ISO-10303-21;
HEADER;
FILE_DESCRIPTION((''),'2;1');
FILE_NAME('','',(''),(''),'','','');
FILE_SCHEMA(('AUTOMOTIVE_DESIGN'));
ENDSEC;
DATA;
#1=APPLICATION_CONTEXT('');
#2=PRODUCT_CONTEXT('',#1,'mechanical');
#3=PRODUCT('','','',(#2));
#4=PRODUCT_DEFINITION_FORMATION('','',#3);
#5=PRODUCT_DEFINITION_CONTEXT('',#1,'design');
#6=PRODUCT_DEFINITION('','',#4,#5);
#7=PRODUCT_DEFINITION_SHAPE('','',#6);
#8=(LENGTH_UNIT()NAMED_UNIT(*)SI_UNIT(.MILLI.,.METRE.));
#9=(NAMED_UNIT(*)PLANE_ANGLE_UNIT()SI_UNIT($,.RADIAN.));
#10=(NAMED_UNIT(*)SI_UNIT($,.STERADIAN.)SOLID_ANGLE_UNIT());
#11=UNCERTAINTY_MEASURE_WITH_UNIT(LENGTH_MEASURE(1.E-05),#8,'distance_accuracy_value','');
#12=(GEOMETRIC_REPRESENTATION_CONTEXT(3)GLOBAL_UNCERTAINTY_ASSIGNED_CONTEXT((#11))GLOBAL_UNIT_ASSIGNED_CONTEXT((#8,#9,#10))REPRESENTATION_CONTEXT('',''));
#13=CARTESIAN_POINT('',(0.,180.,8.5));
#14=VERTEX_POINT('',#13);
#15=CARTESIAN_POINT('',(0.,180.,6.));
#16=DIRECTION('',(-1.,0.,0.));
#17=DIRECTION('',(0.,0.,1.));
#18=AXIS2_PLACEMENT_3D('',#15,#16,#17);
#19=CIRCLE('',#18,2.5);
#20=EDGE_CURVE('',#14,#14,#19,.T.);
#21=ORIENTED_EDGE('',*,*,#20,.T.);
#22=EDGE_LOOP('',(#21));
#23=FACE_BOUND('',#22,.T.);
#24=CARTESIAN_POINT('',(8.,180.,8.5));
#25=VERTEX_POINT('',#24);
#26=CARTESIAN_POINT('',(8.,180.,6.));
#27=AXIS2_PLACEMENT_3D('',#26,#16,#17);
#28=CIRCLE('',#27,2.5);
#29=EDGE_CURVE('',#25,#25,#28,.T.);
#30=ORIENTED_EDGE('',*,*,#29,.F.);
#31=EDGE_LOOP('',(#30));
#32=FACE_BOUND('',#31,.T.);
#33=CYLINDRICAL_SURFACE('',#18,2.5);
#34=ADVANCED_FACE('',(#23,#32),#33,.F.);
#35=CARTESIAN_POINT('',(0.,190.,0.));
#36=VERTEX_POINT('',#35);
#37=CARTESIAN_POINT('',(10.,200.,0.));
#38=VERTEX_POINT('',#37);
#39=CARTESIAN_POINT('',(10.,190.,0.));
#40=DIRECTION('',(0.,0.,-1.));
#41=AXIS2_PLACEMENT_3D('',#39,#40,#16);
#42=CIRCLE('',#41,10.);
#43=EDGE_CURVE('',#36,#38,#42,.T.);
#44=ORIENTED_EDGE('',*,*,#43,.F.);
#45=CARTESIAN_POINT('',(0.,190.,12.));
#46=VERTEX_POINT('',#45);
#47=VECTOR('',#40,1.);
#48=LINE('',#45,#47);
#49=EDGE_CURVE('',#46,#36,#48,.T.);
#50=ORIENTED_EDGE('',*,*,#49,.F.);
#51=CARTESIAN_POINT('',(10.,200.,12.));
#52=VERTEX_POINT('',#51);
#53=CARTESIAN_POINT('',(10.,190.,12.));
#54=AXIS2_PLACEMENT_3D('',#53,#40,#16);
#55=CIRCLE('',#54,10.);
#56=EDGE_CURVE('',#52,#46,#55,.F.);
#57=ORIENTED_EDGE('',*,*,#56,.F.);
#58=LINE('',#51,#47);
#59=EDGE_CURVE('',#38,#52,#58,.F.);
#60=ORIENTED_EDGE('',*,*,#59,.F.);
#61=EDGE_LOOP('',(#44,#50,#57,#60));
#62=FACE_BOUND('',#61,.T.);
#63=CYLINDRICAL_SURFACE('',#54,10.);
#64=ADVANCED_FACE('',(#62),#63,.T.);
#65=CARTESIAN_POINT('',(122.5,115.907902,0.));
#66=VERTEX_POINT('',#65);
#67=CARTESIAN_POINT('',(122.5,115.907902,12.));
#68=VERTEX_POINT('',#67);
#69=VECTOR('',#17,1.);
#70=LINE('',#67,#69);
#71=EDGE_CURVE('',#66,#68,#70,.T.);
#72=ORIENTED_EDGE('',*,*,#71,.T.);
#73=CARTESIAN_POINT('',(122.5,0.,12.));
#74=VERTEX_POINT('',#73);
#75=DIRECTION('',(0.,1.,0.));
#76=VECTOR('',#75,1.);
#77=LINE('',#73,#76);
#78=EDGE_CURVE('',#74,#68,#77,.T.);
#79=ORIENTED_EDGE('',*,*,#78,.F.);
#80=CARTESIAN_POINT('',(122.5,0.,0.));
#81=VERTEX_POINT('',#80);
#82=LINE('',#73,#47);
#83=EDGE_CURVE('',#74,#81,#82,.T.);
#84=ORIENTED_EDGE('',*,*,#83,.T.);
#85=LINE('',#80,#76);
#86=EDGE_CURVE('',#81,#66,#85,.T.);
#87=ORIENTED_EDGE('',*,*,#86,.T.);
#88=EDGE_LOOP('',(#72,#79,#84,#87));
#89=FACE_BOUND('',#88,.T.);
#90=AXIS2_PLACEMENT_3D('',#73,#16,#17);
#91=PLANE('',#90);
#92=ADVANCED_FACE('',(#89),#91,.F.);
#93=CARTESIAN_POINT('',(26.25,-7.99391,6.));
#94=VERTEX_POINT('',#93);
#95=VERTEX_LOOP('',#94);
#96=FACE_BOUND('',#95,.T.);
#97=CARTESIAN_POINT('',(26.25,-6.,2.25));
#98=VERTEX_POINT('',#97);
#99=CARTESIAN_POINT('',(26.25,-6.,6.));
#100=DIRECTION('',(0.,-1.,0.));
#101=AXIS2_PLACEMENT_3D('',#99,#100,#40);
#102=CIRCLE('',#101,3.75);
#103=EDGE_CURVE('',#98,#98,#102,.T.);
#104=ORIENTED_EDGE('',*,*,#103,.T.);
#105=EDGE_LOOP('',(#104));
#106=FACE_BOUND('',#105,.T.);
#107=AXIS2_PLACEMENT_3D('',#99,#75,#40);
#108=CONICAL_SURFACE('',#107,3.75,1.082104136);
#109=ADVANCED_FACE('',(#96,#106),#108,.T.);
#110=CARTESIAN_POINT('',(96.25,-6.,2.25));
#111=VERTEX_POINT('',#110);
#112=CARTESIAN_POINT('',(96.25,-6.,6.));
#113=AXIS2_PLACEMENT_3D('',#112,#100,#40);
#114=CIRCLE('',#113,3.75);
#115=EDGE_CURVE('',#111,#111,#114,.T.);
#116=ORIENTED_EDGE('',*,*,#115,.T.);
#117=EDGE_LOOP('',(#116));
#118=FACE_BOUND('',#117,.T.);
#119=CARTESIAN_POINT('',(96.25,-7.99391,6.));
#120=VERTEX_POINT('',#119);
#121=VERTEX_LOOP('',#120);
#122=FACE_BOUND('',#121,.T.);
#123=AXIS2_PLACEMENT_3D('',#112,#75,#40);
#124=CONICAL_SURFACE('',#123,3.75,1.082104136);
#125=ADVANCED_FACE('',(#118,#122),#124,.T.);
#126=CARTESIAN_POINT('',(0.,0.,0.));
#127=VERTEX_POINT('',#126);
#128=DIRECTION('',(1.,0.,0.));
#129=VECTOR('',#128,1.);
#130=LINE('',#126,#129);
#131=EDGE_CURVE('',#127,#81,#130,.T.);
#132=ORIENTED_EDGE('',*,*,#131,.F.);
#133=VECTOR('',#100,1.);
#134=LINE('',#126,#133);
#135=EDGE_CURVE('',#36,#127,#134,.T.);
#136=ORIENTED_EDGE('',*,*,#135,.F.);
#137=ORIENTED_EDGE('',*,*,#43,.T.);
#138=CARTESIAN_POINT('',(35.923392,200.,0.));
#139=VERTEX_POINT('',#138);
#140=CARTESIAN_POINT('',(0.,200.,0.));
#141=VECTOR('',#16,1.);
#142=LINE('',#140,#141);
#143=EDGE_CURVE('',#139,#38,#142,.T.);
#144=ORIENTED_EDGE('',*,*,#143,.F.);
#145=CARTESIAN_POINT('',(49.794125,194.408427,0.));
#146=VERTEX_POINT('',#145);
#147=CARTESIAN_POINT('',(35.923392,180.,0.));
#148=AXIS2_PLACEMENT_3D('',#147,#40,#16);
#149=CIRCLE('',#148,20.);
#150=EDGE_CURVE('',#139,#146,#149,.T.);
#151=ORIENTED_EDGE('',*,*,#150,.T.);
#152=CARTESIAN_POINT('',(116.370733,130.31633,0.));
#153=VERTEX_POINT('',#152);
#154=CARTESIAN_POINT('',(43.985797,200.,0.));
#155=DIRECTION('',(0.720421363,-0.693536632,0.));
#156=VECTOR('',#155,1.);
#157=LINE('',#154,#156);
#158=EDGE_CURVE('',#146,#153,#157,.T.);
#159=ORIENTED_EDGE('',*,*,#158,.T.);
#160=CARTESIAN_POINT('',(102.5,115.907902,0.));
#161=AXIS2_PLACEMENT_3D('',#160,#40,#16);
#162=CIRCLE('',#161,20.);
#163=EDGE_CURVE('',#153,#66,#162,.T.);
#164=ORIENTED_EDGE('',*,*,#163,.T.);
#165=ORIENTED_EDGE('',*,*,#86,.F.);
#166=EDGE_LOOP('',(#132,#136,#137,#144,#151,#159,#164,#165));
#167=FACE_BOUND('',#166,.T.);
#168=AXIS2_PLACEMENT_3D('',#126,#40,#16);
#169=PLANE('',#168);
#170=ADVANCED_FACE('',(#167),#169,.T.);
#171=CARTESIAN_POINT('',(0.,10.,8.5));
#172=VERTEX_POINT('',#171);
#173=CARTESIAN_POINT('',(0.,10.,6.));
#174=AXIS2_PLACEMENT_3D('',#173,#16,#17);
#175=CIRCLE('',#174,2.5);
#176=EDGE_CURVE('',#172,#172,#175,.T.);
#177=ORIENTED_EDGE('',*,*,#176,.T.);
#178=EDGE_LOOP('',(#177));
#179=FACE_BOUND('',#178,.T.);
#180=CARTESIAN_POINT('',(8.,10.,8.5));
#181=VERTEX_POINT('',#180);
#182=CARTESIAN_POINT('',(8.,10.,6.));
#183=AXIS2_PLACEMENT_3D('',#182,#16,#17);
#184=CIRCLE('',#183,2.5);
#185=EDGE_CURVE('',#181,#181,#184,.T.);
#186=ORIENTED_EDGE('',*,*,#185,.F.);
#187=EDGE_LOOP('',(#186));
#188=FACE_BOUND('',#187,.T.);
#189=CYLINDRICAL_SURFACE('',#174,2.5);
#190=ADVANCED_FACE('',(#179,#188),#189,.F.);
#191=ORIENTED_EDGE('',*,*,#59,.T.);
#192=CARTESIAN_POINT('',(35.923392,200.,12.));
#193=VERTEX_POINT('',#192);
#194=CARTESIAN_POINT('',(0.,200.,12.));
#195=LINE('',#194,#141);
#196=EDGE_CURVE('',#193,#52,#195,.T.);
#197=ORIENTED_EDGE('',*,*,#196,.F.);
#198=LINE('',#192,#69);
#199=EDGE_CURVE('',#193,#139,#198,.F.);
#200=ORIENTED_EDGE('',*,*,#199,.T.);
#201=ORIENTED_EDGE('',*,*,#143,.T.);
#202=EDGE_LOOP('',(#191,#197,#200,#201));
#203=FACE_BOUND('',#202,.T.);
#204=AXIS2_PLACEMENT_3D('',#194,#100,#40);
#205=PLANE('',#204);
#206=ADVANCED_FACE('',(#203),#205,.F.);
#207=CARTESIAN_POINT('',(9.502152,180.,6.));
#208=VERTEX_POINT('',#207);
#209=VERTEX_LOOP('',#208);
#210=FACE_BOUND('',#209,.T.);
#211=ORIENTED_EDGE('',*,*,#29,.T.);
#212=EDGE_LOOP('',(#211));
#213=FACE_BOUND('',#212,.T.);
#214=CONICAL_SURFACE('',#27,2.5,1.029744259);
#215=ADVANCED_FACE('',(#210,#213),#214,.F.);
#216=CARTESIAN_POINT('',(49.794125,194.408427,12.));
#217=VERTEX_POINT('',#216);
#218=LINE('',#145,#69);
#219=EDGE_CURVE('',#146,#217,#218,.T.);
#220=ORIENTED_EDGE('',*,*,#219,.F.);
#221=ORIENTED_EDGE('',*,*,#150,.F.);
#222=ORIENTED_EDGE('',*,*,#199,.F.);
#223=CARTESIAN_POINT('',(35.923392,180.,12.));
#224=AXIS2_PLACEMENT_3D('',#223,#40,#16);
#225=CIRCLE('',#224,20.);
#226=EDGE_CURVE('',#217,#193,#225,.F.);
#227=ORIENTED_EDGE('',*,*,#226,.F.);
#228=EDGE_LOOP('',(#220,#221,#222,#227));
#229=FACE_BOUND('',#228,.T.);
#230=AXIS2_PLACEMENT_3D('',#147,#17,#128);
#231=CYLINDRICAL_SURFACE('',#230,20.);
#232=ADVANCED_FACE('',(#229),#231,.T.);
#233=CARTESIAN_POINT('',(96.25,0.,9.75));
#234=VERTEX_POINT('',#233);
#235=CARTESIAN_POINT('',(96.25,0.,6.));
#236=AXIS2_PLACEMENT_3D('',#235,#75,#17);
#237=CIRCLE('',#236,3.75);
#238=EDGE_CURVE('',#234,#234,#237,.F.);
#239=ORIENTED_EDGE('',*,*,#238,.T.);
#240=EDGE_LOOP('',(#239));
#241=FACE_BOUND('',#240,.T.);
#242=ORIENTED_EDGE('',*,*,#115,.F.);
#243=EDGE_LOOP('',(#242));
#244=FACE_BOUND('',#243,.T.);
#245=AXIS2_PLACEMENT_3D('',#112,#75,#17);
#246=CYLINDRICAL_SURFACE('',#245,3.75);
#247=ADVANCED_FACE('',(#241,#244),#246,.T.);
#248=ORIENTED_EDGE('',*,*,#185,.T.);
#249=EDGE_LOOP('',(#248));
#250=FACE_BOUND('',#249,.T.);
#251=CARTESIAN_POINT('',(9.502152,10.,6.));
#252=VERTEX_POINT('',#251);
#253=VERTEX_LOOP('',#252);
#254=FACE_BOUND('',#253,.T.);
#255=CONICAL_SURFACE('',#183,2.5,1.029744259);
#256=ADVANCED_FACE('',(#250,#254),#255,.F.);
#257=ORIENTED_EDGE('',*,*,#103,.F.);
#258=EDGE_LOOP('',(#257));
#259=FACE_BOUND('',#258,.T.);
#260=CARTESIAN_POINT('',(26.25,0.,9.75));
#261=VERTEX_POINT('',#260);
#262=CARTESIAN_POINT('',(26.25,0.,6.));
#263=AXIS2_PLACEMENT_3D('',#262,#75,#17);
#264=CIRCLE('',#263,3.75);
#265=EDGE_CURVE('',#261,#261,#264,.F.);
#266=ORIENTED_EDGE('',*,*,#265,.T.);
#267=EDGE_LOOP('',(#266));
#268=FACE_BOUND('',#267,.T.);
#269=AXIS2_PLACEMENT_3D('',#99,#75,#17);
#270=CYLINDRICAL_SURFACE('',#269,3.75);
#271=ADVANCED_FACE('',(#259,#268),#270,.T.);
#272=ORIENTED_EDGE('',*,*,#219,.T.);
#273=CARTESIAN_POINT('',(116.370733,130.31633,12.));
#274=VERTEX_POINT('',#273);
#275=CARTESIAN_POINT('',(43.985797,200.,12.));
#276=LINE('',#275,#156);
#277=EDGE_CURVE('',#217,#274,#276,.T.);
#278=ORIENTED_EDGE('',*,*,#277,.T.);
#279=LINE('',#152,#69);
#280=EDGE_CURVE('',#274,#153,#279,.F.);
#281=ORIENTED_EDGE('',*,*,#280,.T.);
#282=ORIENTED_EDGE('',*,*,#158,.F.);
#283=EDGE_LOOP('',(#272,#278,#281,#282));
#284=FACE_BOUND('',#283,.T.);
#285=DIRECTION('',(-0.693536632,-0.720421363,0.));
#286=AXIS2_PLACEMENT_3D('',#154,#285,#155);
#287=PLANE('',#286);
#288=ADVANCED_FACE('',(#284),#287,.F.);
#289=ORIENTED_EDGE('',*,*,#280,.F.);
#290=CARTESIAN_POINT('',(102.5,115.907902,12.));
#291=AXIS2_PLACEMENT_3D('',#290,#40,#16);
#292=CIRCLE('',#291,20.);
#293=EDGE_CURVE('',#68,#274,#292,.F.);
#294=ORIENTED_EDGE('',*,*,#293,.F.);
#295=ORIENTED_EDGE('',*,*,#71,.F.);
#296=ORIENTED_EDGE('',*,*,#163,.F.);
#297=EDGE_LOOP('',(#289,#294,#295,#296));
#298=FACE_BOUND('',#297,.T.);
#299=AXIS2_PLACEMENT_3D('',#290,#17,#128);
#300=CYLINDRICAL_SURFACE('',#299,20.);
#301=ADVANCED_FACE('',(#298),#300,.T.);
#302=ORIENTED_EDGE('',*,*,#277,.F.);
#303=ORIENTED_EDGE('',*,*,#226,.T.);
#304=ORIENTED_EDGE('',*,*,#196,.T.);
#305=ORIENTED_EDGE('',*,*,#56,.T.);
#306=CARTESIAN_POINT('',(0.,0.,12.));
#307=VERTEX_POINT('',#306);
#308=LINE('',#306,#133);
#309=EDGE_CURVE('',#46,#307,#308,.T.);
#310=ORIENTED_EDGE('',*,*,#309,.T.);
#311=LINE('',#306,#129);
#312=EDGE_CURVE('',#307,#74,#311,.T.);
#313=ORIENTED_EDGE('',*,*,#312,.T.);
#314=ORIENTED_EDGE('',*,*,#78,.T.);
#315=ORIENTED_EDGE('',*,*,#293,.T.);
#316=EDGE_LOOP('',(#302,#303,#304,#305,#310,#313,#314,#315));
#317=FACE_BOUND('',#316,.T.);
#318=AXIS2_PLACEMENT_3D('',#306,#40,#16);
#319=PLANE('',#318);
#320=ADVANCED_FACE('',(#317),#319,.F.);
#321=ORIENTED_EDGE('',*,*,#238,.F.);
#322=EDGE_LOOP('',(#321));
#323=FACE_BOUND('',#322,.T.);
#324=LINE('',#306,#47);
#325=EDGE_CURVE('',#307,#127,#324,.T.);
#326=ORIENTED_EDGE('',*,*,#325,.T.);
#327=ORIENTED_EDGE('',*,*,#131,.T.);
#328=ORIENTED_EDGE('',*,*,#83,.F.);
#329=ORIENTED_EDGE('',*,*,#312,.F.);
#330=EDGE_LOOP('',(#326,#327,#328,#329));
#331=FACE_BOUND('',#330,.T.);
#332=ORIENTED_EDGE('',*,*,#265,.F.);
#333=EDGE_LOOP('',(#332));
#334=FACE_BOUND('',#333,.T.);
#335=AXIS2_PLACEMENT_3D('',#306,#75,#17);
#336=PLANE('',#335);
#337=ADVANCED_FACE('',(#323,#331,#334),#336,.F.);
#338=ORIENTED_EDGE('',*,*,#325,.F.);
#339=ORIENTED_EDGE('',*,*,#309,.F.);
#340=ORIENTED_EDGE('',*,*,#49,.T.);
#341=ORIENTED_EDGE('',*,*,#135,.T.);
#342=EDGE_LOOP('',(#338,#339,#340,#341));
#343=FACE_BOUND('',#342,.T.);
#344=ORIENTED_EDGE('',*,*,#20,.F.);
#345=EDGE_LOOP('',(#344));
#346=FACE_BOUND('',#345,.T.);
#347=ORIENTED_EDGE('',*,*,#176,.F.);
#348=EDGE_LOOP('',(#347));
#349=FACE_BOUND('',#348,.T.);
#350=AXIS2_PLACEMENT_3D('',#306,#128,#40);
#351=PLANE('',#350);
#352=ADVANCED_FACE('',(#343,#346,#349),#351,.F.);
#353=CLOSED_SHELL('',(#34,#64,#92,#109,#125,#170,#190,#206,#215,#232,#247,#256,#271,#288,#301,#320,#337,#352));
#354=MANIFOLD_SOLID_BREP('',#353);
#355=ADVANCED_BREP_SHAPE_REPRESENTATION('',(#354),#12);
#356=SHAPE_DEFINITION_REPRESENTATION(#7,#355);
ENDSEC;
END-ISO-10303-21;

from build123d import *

# Parameters (mm, degrees)
SKETCH4_W                    = 122.5
SKETCH4_H                    = 200
BOSS_EXTRUDE1_DEPTH          = 12
CUT_EXTRUDE1_DEPTH           = 12
FILLET1_R                    = 20
FILLET2_R                    = 20
FILLET3_R                    = 10
SKETCH10_R                   = 3.75
BOSS_EXTRUDE3_DEPTH          = 6
F_5_0_5_DIAMETER_HOLE1_D     = 5
F_5_0_5_DIAMETER_HOLE1_DEPTH = 8
F_5_0_5_DIAMETER_HOLE1_TIP   = 1.502151548
F_5_0_5_DIAMETER_HOLE2_D     = 5
F_5_0_5_DIAMETER_HOLE2_DEPTH = 8
F_5_0_5_DIAMETER_HOLE2_TIP   = 1.502151548


with BuildPart() as part:
    # Sketch4 → Boss-Extrude1 (new body)
    with BuildSketch(Plane.XY):
        with Locations((61.25, 100)):
            Rectangle(SKETCH4_W, SKETCH4_H)
    extrude(amount=BOSS_EXTRUDE1_DEPTH)

    # Sketch7 → Cut-Extrude1 (cut)
    with BuildSketch(Plane.XY.offset(12)):
        Polygon((43.985796602, 200), (122.5, 124.415794753), (122.5, 200), align=None)
    extrude(amount=-CUT_EXTRUDE1_DEPTH, mode=Mode.SUBTRACT)

    # Fillet1
    fillet1_edges = [part.edges().sort_by_distance(p)[0] for p in [
        (43.985796602, 200, 6),
    ]]
    fillet(fillet1_edges, radius=FILLET1_R)

    # Fillet2
    fillet2_edges = [part.edges().sort_by_distance(p)[0] for p in [
        (122.5, 124.415794753, 6),
    ]]
    fillet(fillet2_edges, radius=FILLET2_R)

    # Fillet3
    fillet3_edges = [part.edges().sort_by_distance(p)[0] for p in [
        (0, 200, 6),
    ]]
    fillet(fillet3_edges, radius=FILLET3_R)

    # Sketch10 → Boss-Extrude3 (add)
    with BuildSketch(Plane.XZ):
        with Locations(Location((26.25, 6, 0), (0, 0, 90))):
            Circle(SKETCH10_R)
        with Locations(Location((96.25, 6, 0), (0, 0, 90))):
            Circle(SKETCH10_R)
    extrude(amount=BOSS_EXTRUDE3_DEPTH)

    # Boss-Extrude4 cone 1 section (through the dimple's axis) → Boss-Extrude4 (revolve)
    with BuildSketch(Plane(origin=(26.25, -6, 6), x_dir=(0, 0, 1), z_dir=(1, 0, 0))):
        Polygon((0, 0), (3.75, 0), (0, 1.993910369), align=None)
    revolve(axis=Axis((26.25, -6, 6), (0, -1, 0)))

    # Boss-Extrude4 cone 2 section (through the dimple's axis) → Boss-Extrude4 cone 2 (revolve)
    with BuildSketch(Plane(origin=(96.25, -6, 6), x_dir=(0, 0, 1), z_dir=(1, 0, 0))):
        Polygon((0, 0), (3.75, 0), (0, 1.993910369), align=None)
    revolve(axis=Axis((96.25, -6, 6), (0, -1, 0)))

    # Ø5.0 (5) Diameter Hole1
    with Locations(Plane.ZY):
        with Locations((6, 180)):
            Hole(F_5_0_5_DIAMETER_HOLE1_D / 2, depth=F_5_0_5_DIAMETER_HOLE1_DEPTH)
            with Locations((0, 0, -(F_5_0_5_DIAMETER_HOLE1_DEPTH + F_5_0_5_DIAMETER_HOLE1_TIP / 2))):  # 118° drill point
                Cone(0, F_5_0_5_DIAMETER_HOLE1_D / 2, F_5_0_5_DIAMETER_HOLE1_TIP, mode=Mode.SUBTRACT)

    # Ø5.0 (5) Diameter Hole2
    with Locations(Plane.ZY):
        with Locations((6, 10)):
            Hole(F_5_0_5_DIAMETER_HOLE2_D / 2, depth=F_5_0_5_DIAMETER_HOLE2_DEPTH)
            with Locations((0, 0, -(F_5_0_5_DIAMETER_HOLE2_DEPTH + F_5_0_5_DIAMETER_HOLE2_TIP / 2))):  # 118° drill point
                Cone(0, F_5_0_5_DIAMETER_HOLE2_D / 2, F_5_0_5_DIAMETER_HOLE2_TIP, mode=Mode.SUBTRACT)


solid = part.part
